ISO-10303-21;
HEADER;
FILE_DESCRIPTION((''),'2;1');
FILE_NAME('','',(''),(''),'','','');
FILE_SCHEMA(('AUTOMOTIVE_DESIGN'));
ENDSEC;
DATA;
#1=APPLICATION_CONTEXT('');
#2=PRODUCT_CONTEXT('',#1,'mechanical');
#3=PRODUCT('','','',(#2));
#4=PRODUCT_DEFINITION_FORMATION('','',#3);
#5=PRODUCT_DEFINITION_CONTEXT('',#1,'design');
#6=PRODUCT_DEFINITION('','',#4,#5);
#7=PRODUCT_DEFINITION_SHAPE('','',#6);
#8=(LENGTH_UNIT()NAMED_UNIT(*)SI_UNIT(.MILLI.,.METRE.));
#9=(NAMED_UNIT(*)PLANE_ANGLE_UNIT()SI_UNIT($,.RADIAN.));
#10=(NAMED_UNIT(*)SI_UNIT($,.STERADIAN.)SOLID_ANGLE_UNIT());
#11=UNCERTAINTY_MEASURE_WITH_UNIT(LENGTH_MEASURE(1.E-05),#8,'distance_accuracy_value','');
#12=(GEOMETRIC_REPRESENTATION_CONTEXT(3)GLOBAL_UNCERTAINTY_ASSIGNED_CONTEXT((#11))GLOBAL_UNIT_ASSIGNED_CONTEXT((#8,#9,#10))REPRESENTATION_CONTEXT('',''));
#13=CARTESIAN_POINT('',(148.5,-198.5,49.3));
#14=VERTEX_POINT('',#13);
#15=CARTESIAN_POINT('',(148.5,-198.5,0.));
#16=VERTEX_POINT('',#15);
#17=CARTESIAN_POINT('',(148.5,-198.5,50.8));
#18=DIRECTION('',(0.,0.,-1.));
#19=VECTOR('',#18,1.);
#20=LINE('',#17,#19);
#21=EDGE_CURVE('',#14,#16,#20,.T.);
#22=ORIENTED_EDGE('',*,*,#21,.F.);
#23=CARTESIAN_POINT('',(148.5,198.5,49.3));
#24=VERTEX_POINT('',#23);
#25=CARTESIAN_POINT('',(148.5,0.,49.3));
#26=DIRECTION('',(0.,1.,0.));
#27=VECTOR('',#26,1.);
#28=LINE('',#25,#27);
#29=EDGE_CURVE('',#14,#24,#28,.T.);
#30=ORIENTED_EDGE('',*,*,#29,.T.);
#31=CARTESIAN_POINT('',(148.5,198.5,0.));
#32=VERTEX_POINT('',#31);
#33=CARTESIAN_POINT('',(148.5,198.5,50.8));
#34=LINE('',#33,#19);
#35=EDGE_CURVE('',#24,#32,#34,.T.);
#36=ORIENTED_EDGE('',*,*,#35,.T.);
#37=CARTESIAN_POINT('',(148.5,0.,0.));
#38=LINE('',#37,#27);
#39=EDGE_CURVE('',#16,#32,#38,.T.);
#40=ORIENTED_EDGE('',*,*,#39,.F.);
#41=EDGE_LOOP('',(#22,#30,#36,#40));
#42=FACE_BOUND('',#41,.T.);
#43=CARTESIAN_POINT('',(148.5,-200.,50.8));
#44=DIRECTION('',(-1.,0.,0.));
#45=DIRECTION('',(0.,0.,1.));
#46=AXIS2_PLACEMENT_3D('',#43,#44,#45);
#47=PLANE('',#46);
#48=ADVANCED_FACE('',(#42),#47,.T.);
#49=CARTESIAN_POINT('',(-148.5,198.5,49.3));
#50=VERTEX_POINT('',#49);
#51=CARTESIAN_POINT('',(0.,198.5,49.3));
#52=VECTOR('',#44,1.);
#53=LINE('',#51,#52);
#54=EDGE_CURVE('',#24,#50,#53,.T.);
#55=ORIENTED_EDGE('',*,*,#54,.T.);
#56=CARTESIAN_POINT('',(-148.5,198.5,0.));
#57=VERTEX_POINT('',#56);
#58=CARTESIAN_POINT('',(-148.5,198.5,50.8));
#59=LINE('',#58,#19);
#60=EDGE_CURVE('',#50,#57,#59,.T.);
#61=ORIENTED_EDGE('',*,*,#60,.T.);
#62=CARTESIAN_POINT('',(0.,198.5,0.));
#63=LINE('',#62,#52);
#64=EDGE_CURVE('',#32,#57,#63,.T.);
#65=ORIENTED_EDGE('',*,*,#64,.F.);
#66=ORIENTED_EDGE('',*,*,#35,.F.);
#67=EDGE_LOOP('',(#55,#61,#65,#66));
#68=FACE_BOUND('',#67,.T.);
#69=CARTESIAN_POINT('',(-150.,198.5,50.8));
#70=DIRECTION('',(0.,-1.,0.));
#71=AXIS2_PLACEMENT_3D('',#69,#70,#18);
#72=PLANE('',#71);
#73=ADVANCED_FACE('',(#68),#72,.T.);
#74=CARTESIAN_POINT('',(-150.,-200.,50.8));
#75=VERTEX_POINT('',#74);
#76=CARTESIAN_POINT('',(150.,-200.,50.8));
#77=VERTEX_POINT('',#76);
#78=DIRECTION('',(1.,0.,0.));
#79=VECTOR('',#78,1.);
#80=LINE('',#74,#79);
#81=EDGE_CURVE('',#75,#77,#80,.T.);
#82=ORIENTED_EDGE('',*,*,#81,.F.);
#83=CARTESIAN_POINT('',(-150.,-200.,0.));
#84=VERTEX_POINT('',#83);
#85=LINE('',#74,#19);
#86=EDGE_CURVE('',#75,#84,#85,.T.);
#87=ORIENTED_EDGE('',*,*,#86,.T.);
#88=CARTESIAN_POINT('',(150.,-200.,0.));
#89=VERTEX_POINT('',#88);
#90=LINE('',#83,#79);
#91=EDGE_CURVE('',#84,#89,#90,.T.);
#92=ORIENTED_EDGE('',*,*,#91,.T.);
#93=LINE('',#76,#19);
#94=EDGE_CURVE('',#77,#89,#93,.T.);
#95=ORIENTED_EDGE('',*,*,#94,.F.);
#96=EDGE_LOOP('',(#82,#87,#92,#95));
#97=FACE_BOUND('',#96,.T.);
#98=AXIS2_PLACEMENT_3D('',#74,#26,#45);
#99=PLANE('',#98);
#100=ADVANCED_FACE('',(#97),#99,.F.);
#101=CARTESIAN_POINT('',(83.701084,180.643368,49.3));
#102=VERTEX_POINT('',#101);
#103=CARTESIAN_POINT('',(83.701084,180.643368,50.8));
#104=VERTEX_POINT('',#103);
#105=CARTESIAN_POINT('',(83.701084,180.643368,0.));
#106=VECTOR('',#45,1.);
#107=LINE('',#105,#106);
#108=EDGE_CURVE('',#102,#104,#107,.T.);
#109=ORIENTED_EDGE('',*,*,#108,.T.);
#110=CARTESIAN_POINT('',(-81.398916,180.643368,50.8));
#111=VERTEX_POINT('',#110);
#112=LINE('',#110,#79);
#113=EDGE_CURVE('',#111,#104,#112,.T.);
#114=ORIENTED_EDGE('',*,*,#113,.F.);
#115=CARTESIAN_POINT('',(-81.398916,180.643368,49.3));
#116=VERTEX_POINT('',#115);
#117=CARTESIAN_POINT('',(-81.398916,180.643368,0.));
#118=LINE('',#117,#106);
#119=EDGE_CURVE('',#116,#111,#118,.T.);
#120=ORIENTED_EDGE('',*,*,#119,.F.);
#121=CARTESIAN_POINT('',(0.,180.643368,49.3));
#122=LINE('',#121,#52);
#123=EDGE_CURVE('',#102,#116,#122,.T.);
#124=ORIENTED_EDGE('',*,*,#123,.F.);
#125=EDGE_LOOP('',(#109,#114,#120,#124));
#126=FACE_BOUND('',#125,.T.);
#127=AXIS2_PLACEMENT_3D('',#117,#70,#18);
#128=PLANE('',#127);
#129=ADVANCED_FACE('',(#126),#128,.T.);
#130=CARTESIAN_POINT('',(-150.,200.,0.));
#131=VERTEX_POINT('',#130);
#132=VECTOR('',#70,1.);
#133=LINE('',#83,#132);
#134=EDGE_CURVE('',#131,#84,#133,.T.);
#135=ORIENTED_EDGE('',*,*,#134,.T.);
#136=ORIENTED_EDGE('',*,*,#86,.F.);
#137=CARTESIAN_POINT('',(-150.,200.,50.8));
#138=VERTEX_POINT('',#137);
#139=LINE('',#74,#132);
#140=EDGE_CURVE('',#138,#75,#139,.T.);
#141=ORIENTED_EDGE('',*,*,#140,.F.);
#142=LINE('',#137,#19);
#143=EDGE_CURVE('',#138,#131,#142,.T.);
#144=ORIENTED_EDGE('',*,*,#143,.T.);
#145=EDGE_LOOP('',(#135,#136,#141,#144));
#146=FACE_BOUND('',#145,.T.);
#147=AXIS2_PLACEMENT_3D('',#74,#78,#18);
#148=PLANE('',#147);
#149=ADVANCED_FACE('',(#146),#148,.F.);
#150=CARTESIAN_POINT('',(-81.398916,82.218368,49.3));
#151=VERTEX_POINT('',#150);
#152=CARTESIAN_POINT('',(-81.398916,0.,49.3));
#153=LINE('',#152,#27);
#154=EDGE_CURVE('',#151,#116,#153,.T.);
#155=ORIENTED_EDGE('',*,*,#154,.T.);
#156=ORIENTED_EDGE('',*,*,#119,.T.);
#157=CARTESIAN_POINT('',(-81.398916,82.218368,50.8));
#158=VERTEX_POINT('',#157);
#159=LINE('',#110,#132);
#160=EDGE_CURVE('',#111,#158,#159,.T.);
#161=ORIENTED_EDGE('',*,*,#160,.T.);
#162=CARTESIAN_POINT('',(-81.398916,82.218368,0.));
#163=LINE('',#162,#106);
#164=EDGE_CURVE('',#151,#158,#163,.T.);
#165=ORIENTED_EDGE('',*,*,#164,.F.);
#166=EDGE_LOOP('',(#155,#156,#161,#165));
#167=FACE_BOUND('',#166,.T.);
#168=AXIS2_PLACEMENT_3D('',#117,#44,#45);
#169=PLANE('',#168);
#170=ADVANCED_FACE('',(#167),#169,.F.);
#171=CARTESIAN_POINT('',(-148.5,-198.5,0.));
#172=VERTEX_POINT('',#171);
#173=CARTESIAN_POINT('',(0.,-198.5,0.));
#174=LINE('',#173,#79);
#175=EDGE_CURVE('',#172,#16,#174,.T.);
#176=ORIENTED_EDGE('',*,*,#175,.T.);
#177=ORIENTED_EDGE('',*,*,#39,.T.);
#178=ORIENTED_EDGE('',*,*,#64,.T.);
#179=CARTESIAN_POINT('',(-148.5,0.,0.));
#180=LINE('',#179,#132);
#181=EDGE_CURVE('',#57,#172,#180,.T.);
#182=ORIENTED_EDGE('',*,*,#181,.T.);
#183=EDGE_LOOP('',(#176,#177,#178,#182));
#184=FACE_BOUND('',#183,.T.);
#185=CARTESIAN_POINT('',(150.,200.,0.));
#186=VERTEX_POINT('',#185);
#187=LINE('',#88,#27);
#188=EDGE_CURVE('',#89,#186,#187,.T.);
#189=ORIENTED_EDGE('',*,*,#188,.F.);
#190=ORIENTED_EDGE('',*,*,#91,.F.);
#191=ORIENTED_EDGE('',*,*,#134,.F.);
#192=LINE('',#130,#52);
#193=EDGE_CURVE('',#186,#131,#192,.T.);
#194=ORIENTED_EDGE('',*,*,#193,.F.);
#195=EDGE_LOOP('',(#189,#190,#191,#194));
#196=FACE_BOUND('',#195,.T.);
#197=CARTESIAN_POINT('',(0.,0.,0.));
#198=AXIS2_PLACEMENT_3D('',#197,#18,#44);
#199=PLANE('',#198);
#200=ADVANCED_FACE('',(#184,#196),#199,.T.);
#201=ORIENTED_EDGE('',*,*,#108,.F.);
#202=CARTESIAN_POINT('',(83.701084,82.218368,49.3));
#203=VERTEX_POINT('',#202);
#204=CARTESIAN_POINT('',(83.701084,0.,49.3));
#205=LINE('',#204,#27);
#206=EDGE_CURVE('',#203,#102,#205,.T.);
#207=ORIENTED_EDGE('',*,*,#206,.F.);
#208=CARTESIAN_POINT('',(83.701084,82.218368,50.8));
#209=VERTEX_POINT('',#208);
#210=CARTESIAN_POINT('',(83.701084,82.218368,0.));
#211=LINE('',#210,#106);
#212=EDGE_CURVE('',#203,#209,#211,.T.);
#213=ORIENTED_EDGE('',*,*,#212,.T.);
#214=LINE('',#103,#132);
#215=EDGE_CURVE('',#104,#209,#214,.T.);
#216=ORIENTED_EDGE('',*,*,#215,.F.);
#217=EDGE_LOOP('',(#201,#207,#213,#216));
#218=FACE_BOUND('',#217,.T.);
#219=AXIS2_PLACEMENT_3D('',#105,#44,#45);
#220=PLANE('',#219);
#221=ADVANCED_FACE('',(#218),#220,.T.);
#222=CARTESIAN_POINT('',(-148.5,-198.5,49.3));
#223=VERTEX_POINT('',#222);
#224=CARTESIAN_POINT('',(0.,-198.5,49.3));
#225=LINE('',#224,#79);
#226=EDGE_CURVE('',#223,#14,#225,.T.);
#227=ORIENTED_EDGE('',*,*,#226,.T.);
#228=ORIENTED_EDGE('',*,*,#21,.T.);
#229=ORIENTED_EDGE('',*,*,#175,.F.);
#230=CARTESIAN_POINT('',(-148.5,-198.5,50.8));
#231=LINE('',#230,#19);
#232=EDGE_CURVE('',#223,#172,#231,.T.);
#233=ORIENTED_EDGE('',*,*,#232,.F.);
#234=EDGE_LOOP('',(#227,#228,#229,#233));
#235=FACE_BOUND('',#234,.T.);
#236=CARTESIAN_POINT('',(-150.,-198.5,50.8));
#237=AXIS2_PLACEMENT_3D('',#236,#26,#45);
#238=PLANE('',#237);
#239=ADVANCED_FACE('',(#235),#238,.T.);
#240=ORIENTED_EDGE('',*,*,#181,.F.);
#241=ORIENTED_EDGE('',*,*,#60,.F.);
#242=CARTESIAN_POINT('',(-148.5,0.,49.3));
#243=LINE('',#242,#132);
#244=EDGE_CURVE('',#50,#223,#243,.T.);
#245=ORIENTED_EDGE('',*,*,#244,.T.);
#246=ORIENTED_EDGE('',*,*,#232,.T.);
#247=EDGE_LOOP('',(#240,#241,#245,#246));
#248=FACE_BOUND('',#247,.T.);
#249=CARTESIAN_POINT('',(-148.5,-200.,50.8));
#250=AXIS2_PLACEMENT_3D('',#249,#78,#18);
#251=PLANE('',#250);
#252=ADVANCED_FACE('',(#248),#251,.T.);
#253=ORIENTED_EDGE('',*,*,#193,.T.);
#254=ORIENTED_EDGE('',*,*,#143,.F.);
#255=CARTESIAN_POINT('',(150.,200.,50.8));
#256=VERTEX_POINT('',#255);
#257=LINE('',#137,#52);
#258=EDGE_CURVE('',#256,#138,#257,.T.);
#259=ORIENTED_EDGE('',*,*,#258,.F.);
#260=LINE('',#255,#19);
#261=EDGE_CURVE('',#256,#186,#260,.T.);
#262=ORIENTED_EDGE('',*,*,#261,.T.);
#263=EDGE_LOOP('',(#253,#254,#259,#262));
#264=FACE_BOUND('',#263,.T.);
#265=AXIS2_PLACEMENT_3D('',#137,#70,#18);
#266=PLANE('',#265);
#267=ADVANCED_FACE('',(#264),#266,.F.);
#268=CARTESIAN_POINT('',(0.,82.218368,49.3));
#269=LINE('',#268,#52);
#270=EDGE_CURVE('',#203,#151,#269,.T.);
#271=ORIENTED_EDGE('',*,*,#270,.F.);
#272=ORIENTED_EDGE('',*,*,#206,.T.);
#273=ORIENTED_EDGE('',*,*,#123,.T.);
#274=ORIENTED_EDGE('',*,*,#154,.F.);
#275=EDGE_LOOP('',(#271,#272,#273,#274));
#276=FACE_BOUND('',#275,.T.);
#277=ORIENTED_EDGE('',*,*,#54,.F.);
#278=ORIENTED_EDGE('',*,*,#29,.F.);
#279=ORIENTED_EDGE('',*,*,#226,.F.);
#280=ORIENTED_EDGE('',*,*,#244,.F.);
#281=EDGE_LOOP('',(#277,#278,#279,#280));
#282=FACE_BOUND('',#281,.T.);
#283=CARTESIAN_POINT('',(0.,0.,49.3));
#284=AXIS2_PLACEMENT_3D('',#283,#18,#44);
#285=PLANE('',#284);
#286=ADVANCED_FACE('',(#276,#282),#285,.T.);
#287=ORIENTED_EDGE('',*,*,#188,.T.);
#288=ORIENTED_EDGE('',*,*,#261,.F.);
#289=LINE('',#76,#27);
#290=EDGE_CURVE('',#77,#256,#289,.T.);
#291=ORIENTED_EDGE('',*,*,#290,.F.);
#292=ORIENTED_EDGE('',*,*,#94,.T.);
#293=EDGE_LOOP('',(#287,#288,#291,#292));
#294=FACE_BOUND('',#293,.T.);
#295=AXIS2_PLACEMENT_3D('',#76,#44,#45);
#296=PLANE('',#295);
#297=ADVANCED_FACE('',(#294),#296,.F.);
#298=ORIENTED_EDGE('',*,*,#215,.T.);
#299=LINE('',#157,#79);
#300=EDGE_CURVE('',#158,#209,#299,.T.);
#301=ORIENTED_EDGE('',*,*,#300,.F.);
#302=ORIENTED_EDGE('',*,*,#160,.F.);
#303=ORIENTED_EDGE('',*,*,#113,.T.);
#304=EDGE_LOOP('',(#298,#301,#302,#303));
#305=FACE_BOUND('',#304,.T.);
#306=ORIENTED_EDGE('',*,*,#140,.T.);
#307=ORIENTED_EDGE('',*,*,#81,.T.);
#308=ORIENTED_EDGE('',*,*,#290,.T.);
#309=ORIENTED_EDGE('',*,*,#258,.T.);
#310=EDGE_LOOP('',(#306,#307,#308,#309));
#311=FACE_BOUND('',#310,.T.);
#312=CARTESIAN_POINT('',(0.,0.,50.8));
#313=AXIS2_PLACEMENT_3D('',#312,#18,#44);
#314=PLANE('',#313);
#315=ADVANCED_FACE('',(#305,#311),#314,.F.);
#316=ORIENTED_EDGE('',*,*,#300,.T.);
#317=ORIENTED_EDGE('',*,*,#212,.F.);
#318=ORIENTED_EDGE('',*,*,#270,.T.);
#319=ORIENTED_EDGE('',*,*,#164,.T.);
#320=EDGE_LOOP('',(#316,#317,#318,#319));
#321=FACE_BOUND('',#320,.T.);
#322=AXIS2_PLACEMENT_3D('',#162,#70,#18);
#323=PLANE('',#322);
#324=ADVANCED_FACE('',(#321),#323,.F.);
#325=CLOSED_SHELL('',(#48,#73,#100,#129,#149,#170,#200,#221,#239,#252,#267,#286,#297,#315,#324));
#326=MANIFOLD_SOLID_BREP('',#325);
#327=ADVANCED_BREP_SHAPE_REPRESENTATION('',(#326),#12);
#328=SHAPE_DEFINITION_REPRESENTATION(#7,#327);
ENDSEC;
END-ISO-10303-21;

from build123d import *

# Parameters (mm, degrees)
SKETCH1_W           = 300
SKETCH1_H           = 400
BOSS_EXTRUDE1_DEPTH = 50.8
SHELL1_T            = -1.500000048
SKETCH2_W           = 165.1
SKETCH2_H           = 98.425
CUT_EXTRUDE1_DEPTH  = 256.109074711


with BuildPart() as part:
    # Sketch1 → Boss-Extrude1 (new body)
    with BuildSketch(Plane.XY):
        Rectangle(SKETCH1_W, SKETCH1_H)
    extrude(amount=BOSS_EXTRUDE1_DEPTH)

    # Shell1
    shell1_openings = [part.faces().sort_by_distance(p)[0] for p in [
        (0, 0, 0),
    ]]
    offset(amount=SHELL1_T, openings=shell1_openings, kind=Kind.INTERSECTION)

    # Sketch2 → Cut-Extrude1 (cut, through all)
    with BuildSketch(Plane.XY.offset(50.8)):
        with Locations((1.151083914, 131.430868262)):
            Rectangle(SKETCH2_W, SKETCH2_H)
    extrude(amount=-CUT_EXTRUDE1_DEPTH, mode=Mode.SUBTRACT)


solid = part.part
